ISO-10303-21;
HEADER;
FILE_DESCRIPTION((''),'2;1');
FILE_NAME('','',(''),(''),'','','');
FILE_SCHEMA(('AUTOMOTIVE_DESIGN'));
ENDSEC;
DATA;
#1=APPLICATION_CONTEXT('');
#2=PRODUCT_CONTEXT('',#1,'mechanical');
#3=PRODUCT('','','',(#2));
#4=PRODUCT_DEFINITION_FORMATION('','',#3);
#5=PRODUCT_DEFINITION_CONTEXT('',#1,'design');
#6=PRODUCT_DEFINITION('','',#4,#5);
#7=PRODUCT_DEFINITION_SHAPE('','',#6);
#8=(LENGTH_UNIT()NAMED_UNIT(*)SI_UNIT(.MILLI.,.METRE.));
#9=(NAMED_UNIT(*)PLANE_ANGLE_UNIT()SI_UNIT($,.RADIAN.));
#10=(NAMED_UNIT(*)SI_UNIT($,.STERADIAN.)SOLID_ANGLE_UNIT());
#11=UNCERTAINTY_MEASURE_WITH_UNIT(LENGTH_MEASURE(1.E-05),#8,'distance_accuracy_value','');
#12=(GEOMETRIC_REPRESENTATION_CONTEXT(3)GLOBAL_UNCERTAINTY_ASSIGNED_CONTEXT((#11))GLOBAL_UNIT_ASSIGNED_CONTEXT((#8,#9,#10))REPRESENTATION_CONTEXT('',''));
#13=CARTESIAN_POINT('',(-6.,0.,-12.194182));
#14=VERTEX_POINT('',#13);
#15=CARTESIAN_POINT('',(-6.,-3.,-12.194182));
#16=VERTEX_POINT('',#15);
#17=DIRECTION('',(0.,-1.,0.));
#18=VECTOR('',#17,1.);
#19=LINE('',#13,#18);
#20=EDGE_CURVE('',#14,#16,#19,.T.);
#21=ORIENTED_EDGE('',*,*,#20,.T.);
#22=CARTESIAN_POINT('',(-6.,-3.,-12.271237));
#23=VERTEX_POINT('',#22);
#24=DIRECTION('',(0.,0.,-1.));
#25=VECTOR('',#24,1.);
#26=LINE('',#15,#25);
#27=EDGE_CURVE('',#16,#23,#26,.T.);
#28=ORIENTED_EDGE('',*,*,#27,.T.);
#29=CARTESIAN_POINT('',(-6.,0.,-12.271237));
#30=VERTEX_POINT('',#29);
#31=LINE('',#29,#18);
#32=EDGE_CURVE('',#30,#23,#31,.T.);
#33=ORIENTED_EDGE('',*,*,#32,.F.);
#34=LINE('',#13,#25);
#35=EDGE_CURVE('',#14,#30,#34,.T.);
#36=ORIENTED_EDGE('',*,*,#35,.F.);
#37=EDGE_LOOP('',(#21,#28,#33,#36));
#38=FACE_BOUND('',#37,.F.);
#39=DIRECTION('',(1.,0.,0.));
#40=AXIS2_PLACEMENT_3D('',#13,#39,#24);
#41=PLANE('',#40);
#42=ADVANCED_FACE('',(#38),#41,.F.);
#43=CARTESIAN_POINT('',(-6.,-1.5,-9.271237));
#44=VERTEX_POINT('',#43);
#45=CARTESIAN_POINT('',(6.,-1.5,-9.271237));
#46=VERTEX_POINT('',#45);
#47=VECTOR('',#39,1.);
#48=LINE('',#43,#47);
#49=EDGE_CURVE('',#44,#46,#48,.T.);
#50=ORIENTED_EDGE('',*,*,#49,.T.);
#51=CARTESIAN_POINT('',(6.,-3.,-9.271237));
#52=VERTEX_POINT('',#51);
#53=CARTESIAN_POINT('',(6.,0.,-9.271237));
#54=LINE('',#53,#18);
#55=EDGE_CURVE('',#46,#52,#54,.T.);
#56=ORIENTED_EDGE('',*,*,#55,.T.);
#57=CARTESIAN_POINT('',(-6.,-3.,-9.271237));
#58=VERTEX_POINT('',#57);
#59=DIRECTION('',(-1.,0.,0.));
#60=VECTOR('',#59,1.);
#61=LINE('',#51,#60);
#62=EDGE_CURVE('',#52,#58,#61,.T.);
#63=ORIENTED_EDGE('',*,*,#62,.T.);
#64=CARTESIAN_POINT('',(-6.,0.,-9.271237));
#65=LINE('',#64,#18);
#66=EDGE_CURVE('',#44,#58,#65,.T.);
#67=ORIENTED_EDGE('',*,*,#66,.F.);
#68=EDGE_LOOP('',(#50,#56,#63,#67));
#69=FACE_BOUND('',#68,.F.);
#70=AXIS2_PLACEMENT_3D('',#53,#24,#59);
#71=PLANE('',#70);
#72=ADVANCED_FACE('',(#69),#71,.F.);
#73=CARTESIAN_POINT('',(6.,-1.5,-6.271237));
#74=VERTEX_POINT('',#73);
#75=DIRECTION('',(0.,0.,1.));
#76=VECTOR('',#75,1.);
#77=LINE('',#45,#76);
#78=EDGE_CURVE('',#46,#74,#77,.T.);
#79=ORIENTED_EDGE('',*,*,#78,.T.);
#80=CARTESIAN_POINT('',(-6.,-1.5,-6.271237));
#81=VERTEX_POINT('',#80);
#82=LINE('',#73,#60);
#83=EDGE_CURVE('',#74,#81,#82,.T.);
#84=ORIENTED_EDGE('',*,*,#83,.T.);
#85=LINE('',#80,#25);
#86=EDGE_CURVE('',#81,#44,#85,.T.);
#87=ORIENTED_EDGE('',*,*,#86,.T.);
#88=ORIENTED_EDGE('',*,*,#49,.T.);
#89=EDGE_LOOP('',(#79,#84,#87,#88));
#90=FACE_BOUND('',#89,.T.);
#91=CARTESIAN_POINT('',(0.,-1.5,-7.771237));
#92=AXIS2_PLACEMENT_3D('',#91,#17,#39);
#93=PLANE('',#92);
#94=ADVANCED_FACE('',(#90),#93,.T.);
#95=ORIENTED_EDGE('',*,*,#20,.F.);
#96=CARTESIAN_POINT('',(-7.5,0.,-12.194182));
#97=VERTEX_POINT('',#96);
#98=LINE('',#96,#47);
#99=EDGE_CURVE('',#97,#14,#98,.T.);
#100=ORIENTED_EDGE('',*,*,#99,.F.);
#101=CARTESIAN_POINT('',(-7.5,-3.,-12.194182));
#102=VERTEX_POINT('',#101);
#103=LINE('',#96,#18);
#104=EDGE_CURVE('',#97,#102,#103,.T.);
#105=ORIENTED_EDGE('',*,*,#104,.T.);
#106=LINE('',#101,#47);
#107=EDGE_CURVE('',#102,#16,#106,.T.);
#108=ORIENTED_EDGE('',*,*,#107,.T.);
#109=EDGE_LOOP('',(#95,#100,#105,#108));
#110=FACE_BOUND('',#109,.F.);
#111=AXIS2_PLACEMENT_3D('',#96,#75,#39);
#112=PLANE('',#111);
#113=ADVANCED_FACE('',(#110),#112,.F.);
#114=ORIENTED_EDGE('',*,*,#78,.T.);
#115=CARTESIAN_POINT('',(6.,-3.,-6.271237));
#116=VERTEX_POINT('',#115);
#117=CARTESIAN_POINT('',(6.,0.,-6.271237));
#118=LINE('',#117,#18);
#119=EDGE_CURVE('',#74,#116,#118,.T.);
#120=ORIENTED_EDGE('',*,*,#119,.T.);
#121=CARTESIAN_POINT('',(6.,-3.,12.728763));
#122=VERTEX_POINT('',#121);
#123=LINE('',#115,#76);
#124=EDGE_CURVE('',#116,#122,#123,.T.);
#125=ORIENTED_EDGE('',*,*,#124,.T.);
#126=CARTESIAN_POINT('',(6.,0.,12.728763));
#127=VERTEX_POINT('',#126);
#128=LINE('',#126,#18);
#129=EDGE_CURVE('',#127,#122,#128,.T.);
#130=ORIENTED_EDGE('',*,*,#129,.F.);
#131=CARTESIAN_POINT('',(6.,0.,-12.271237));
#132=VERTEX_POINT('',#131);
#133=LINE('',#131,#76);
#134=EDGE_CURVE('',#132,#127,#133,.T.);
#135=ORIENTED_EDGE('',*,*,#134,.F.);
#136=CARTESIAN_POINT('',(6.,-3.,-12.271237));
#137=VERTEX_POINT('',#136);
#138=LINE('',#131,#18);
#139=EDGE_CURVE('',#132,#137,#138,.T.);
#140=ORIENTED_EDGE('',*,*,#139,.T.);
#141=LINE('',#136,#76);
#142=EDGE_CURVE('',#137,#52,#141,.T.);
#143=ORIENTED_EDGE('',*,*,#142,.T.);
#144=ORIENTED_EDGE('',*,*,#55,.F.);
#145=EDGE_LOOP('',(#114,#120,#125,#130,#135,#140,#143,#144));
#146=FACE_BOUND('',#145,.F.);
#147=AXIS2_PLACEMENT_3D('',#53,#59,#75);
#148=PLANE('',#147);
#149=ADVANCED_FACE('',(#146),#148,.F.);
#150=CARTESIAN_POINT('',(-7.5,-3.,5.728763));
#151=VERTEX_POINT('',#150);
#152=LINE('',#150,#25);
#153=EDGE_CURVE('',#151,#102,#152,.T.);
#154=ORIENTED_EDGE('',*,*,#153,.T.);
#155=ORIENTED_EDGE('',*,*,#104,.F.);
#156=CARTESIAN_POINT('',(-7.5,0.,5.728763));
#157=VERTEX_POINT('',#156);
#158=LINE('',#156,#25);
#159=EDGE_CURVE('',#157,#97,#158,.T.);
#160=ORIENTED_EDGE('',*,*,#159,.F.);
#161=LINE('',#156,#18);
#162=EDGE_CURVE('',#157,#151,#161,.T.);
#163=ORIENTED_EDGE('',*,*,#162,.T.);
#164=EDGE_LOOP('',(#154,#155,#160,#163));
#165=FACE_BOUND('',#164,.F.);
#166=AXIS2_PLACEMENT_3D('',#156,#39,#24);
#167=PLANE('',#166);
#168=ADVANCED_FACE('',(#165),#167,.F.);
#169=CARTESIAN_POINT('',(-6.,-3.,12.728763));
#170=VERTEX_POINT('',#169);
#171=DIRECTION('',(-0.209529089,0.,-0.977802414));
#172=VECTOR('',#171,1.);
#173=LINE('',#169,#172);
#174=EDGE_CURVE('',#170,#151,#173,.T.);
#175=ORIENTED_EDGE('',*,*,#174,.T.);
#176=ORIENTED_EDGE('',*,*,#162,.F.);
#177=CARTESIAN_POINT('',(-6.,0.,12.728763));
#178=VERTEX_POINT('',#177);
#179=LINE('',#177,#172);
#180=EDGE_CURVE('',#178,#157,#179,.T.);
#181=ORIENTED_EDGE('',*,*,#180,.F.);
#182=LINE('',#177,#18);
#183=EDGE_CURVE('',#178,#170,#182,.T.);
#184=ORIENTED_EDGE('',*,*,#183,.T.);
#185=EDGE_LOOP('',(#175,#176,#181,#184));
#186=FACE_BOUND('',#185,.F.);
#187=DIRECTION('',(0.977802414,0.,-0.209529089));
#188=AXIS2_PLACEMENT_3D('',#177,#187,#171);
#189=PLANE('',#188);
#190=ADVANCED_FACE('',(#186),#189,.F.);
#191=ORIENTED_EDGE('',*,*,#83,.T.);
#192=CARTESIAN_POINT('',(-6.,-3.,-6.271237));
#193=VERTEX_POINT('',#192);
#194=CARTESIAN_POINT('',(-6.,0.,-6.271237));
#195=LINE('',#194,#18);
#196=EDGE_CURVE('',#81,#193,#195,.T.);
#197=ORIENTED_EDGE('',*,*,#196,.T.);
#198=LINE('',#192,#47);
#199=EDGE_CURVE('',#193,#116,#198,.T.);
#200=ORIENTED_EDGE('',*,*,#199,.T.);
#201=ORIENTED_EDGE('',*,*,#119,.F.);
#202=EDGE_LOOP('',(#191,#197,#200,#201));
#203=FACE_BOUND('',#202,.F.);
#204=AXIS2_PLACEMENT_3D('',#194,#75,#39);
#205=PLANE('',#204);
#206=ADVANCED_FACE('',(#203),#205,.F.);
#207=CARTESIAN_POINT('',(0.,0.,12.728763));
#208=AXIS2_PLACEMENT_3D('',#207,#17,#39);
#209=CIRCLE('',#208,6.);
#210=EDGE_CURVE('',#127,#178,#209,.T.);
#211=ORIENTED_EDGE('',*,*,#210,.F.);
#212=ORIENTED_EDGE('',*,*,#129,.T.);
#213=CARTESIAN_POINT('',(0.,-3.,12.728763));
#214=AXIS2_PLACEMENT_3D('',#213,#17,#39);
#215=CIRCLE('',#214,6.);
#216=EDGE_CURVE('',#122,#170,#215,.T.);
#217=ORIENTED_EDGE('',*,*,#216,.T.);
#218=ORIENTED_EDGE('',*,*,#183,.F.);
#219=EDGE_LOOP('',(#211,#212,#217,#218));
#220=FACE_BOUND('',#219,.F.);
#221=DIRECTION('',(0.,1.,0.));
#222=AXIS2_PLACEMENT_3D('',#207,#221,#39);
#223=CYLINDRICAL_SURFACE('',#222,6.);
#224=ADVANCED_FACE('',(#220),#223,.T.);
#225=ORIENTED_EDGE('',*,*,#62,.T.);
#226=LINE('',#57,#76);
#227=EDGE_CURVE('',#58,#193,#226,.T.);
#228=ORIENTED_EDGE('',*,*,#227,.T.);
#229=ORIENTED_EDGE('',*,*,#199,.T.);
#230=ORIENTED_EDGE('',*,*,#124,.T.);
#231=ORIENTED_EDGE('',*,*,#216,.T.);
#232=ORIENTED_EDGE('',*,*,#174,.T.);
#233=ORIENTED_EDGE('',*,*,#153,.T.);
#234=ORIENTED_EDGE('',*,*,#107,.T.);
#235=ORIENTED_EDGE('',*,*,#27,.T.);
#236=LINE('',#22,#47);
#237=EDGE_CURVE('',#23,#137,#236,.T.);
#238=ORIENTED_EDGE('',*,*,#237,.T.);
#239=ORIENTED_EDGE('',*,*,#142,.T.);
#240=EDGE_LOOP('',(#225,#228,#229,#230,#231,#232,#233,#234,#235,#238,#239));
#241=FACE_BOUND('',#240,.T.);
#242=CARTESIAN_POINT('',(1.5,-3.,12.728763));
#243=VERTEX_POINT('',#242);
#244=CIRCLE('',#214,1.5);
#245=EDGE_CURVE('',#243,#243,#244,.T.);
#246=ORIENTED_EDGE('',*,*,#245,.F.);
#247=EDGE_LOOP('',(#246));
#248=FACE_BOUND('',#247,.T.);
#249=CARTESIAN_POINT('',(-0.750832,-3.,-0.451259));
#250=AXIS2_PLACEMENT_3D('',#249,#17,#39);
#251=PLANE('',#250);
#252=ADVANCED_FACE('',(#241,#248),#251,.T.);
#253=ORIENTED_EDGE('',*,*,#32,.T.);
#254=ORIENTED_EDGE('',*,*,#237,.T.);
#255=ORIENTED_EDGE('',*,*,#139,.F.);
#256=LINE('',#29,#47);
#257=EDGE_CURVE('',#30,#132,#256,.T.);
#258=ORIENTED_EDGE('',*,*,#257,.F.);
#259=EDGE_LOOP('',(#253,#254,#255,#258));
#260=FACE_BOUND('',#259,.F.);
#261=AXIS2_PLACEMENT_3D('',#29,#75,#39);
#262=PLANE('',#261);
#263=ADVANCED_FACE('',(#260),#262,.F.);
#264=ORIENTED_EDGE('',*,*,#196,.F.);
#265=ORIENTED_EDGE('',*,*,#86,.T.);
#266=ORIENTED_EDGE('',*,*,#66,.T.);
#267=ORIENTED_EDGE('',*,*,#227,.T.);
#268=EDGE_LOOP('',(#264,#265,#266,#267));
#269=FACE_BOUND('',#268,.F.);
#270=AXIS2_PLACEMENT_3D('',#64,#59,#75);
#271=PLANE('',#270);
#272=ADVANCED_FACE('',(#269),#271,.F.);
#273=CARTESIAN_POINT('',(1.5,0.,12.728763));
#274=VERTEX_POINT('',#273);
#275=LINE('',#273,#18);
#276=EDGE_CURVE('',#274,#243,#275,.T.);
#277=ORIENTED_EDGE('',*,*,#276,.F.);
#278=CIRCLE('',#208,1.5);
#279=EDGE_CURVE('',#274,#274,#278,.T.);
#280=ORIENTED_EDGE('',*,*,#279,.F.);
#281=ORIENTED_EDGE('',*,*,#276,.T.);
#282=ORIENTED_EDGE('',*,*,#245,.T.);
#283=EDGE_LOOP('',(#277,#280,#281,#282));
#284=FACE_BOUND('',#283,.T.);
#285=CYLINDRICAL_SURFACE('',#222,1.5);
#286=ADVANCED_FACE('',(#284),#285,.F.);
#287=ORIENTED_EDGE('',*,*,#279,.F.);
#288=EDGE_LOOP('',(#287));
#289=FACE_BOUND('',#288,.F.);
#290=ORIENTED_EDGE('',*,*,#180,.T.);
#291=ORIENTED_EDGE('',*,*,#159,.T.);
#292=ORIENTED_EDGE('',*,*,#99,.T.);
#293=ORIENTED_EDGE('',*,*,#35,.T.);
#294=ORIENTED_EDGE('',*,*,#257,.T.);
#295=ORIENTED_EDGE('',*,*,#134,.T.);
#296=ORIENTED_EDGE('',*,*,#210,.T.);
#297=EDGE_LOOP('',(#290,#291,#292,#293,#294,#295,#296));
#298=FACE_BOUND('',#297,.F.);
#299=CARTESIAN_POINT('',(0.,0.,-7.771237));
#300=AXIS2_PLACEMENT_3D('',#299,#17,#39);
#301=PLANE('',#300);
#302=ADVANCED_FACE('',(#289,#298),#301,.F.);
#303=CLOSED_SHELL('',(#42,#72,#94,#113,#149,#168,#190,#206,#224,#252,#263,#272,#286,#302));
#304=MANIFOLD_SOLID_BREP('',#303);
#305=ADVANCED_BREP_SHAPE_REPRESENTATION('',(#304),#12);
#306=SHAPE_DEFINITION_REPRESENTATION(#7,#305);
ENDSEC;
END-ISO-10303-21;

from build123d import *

# Parameters (mm, degrees)
F0_R     = 1.5
F1_DEPTH = 3
F2_DEPTH = 1.5


with BuildPart() as f1:
    # F0 (on Front) → F1 (new body)
    with BuildSketch(Plane.XZ):
        with BuildLine():
            Line((-6, -9.2712371871), (-6, -6.2712371871))
            Line((-6, -6.2712371871), (0, -6.2712371871))
            Line((0, -6.2712371871), (6, -6.2712371871))
            Line((6, -6.2712371871), (6, 0))
            Line((6, 0), (6, 12.7287628129))
            ThreePointArc((6, 12.7287628129), (0, 18.7287628129), (-6, 12.7287628129))
            Line((-6, 12.7287628129), (-7.5, 5.7287628129))
            Line((-7.5, 5.7287628129), (-7.5, -6.2712371871))
            Line((-7.5, -6.2712371871), (-7.5, -12.1941817924))
            Line((-7.5, -12.1941817924), (-6, -12.1941817924))
            Line((-6, -12.1941817924), (-6, -12.2712371871))
            Line((-6, -12.2712371871), (0, -12.2712371871))
            Line((0, -12.2712371871), (6, -12.2712371871))
            Line((6, -12.2712371871), (6, -9.2712371871))
            Line((6, -9.2712371871), (0, -9.2712371871))
            Line((0, -9.2712371871), (-6, -9.2712371871))
        make_face()
        with Locations((0, 12.7287628129)):
            Circle(F0_R, mode=Mode.SUBTRACT)
    extrude(amount=F1_DEPTH)

    # F0 (on Front) → F2 (join)
    with BuildSketch(Plane.XZ):
        Polygon((0, -6.2712371871), (-6, -6.2712371871), (-6, -9.2712371871), (0, -9.2712371871), (6, -9.2712371871), (6, -6.2712371871), align=None)
    extrude(amount=F2_DEPTH)


solid = f1.part
